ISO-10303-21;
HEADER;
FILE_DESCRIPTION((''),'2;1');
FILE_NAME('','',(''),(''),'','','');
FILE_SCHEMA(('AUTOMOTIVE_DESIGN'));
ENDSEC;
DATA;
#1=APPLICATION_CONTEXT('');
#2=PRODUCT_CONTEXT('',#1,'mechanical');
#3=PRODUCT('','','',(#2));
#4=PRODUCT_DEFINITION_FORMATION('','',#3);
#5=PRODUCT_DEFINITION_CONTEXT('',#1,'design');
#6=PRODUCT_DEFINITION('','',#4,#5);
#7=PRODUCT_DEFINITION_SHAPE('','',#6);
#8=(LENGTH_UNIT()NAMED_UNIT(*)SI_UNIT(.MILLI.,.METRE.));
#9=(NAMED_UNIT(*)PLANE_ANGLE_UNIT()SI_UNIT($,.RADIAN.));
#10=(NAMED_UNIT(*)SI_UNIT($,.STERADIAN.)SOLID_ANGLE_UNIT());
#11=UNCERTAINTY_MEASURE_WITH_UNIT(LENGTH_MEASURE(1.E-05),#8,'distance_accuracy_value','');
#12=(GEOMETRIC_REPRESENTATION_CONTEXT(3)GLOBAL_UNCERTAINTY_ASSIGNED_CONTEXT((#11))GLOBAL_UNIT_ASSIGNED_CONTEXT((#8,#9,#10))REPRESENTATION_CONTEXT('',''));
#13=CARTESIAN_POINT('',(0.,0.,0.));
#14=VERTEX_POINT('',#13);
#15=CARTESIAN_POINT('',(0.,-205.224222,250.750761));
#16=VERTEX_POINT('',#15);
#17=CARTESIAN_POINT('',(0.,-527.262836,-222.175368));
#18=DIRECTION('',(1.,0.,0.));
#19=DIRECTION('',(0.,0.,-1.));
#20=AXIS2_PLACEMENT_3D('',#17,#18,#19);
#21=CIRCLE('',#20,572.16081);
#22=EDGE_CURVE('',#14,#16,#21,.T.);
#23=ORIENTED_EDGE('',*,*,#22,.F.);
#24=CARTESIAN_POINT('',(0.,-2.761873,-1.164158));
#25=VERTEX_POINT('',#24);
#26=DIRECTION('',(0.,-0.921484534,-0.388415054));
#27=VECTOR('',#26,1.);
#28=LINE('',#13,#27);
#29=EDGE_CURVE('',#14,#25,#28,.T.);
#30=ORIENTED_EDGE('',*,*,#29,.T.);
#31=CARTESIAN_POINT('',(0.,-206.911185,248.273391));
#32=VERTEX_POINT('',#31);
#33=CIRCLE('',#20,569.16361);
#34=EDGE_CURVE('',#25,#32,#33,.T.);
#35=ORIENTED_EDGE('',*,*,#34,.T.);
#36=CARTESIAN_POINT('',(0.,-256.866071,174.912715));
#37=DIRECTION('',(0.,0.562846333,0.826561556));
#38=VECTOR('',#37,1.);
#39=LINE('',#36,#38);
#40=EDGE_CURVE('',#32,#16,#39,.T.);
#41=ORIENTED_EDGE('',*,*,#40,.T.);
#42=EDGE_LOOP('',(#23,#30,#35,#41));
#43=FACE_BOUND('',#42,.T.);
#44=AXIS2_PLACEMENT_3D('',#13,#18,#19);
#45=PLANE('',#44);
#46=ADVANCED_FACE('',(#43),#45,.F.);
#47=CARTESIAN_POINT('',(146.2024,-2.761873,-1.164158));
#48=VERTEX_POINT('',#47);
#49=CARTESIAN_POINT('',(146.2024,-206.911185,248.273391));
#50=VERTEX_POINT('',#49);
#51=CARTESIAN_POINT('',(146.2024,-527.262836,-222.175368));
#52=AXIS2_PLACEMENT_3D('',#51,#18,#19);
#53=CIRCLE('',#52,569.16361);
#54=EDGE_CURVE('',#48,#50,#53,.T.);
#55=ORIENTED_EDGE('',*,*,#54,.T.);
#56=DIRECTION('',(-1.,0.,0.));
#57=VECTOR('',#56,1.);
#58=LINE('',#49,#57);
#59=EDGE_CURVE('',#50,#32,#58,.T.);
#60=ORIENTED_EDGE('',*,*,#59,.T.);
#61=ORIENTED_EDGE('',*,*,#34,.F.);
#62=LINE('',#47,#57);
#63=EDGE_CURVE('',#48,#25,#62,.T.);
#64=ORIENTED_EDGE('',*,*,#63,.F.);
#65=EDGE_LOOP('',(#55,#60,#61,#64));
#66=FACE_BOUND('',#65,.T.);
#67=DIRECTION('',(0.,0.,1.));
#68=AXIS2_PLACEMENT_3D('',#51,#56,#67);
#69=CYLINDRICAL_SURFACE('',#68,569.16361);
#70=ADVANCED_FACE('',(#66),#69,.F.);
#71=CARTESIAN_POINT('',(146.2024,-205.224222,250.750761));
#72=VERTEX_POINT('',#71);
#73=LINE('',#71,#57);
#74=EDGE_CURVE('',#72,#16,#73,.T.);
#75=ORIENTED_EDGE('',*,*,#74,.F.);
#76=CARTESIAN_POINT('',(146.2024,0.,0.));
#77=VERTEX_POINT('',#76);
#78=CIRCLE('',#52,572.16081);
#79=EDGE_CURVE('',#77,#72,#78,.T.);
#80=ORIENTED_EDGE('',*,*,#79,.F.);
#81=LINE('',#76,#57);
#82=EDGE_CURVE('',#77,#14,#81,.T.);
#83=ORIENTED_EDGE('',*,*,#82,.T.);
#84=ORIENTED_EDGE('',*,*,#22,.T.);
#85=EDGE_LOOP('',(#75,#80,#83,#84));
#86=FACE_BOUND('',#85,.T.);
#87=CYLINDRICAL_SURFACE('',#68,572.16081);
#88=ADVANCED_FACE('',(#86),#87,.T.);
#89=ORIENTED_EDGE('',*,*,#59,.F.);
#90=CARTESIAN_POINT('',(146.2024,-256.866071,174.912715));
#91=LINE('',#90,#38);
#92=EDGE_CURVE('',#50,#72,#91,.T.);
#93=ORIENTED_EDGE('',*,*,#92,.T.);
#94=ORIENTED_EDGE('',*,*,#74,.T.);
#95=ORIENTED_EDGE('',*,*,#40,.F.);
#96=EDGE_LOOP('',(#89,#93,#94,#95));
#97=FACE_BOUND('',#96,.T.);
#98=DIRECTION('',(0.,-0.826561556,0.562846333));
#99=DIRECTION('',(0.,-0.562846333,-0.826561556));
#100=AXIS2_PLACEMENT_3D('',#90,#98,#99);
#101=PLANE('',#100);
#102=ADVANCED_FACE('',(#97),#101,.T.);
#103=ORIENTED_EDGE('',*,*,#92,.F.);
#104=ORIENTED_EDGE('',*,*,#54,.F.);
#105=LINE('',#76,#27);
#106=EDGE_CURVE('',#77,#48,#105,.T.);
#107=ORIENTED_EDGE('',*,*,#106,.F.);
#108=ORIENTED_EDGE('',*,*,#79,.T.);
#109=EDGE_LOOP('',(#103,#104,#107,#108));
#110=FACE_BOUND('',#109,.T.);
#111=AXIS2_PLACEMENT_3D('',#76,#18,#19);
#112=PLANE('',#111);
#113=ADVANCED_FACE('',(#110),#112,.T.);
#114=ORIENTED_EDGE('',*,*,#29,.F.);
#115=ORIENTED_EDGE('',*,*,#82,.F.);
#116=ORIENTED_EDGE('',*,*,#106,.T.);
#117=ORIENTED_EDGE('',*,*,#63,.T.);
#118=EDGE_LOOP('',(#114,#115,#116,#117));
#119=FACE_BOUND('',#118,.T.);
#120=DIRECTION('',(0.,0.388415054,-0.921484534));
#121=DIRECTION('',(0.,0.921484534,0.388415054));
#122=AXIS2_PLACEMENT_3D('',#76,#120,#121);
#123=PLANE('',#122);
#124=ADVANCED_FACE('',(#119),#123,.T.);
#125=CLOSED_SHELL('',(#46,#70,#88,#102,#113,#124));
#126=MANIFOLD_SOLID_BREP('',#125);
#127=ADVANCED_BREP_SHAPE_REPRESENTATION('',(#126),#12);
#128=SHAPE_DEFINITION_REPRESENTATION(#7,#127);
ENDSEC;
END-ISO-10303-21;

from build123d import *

# Parameters (mm, degrees)
BOSS_EXTRUDE1_DEPTH = 146.2024


with BuildPart() as part:
    # Sketch1 → Boss-Extrude1 (new body)
    with BuildSketch(Plane(origin=(0, 0, 0), x_dir=(0, 0, -1), z_dir=(1, 0, 0))):
        with BuildLine():
            Line((-249.512076162, -206.067703984), (-248.273391014, -206.911185498))
            ThreePointArc((-248.273391014, -206.911185498), (-138.30827619, -86.809936009), (1.164157607, -2.761873463))
            Line((1.164157607, -2.761873463), (0.582078803, -1.380936731))
            ThreePointArc((0.582078803, -1.380936731), (-139.257491585, -85.650284294), (-249.512076162, -206.067703984))
        make_face()
        with BuildLine():
            Line((-250.750761309, -205.22422247), (-249.512076162, -206.067703984))
            ThreePointArc((-249.512076162, -206.067703984), (-139.257491585, -85.650284294), (0.582078803, -1.380936731))
            Line((0.582078803, -1.380936731), (0, 0))
            ThreePointArc((0, 0), (-140.20670698, -84.490632578), (-250.750761309, -205.22422247))
        make_face()
    extrude(amount=BOSS_EXTRUDE1_DEPTH)


solid = part.part
